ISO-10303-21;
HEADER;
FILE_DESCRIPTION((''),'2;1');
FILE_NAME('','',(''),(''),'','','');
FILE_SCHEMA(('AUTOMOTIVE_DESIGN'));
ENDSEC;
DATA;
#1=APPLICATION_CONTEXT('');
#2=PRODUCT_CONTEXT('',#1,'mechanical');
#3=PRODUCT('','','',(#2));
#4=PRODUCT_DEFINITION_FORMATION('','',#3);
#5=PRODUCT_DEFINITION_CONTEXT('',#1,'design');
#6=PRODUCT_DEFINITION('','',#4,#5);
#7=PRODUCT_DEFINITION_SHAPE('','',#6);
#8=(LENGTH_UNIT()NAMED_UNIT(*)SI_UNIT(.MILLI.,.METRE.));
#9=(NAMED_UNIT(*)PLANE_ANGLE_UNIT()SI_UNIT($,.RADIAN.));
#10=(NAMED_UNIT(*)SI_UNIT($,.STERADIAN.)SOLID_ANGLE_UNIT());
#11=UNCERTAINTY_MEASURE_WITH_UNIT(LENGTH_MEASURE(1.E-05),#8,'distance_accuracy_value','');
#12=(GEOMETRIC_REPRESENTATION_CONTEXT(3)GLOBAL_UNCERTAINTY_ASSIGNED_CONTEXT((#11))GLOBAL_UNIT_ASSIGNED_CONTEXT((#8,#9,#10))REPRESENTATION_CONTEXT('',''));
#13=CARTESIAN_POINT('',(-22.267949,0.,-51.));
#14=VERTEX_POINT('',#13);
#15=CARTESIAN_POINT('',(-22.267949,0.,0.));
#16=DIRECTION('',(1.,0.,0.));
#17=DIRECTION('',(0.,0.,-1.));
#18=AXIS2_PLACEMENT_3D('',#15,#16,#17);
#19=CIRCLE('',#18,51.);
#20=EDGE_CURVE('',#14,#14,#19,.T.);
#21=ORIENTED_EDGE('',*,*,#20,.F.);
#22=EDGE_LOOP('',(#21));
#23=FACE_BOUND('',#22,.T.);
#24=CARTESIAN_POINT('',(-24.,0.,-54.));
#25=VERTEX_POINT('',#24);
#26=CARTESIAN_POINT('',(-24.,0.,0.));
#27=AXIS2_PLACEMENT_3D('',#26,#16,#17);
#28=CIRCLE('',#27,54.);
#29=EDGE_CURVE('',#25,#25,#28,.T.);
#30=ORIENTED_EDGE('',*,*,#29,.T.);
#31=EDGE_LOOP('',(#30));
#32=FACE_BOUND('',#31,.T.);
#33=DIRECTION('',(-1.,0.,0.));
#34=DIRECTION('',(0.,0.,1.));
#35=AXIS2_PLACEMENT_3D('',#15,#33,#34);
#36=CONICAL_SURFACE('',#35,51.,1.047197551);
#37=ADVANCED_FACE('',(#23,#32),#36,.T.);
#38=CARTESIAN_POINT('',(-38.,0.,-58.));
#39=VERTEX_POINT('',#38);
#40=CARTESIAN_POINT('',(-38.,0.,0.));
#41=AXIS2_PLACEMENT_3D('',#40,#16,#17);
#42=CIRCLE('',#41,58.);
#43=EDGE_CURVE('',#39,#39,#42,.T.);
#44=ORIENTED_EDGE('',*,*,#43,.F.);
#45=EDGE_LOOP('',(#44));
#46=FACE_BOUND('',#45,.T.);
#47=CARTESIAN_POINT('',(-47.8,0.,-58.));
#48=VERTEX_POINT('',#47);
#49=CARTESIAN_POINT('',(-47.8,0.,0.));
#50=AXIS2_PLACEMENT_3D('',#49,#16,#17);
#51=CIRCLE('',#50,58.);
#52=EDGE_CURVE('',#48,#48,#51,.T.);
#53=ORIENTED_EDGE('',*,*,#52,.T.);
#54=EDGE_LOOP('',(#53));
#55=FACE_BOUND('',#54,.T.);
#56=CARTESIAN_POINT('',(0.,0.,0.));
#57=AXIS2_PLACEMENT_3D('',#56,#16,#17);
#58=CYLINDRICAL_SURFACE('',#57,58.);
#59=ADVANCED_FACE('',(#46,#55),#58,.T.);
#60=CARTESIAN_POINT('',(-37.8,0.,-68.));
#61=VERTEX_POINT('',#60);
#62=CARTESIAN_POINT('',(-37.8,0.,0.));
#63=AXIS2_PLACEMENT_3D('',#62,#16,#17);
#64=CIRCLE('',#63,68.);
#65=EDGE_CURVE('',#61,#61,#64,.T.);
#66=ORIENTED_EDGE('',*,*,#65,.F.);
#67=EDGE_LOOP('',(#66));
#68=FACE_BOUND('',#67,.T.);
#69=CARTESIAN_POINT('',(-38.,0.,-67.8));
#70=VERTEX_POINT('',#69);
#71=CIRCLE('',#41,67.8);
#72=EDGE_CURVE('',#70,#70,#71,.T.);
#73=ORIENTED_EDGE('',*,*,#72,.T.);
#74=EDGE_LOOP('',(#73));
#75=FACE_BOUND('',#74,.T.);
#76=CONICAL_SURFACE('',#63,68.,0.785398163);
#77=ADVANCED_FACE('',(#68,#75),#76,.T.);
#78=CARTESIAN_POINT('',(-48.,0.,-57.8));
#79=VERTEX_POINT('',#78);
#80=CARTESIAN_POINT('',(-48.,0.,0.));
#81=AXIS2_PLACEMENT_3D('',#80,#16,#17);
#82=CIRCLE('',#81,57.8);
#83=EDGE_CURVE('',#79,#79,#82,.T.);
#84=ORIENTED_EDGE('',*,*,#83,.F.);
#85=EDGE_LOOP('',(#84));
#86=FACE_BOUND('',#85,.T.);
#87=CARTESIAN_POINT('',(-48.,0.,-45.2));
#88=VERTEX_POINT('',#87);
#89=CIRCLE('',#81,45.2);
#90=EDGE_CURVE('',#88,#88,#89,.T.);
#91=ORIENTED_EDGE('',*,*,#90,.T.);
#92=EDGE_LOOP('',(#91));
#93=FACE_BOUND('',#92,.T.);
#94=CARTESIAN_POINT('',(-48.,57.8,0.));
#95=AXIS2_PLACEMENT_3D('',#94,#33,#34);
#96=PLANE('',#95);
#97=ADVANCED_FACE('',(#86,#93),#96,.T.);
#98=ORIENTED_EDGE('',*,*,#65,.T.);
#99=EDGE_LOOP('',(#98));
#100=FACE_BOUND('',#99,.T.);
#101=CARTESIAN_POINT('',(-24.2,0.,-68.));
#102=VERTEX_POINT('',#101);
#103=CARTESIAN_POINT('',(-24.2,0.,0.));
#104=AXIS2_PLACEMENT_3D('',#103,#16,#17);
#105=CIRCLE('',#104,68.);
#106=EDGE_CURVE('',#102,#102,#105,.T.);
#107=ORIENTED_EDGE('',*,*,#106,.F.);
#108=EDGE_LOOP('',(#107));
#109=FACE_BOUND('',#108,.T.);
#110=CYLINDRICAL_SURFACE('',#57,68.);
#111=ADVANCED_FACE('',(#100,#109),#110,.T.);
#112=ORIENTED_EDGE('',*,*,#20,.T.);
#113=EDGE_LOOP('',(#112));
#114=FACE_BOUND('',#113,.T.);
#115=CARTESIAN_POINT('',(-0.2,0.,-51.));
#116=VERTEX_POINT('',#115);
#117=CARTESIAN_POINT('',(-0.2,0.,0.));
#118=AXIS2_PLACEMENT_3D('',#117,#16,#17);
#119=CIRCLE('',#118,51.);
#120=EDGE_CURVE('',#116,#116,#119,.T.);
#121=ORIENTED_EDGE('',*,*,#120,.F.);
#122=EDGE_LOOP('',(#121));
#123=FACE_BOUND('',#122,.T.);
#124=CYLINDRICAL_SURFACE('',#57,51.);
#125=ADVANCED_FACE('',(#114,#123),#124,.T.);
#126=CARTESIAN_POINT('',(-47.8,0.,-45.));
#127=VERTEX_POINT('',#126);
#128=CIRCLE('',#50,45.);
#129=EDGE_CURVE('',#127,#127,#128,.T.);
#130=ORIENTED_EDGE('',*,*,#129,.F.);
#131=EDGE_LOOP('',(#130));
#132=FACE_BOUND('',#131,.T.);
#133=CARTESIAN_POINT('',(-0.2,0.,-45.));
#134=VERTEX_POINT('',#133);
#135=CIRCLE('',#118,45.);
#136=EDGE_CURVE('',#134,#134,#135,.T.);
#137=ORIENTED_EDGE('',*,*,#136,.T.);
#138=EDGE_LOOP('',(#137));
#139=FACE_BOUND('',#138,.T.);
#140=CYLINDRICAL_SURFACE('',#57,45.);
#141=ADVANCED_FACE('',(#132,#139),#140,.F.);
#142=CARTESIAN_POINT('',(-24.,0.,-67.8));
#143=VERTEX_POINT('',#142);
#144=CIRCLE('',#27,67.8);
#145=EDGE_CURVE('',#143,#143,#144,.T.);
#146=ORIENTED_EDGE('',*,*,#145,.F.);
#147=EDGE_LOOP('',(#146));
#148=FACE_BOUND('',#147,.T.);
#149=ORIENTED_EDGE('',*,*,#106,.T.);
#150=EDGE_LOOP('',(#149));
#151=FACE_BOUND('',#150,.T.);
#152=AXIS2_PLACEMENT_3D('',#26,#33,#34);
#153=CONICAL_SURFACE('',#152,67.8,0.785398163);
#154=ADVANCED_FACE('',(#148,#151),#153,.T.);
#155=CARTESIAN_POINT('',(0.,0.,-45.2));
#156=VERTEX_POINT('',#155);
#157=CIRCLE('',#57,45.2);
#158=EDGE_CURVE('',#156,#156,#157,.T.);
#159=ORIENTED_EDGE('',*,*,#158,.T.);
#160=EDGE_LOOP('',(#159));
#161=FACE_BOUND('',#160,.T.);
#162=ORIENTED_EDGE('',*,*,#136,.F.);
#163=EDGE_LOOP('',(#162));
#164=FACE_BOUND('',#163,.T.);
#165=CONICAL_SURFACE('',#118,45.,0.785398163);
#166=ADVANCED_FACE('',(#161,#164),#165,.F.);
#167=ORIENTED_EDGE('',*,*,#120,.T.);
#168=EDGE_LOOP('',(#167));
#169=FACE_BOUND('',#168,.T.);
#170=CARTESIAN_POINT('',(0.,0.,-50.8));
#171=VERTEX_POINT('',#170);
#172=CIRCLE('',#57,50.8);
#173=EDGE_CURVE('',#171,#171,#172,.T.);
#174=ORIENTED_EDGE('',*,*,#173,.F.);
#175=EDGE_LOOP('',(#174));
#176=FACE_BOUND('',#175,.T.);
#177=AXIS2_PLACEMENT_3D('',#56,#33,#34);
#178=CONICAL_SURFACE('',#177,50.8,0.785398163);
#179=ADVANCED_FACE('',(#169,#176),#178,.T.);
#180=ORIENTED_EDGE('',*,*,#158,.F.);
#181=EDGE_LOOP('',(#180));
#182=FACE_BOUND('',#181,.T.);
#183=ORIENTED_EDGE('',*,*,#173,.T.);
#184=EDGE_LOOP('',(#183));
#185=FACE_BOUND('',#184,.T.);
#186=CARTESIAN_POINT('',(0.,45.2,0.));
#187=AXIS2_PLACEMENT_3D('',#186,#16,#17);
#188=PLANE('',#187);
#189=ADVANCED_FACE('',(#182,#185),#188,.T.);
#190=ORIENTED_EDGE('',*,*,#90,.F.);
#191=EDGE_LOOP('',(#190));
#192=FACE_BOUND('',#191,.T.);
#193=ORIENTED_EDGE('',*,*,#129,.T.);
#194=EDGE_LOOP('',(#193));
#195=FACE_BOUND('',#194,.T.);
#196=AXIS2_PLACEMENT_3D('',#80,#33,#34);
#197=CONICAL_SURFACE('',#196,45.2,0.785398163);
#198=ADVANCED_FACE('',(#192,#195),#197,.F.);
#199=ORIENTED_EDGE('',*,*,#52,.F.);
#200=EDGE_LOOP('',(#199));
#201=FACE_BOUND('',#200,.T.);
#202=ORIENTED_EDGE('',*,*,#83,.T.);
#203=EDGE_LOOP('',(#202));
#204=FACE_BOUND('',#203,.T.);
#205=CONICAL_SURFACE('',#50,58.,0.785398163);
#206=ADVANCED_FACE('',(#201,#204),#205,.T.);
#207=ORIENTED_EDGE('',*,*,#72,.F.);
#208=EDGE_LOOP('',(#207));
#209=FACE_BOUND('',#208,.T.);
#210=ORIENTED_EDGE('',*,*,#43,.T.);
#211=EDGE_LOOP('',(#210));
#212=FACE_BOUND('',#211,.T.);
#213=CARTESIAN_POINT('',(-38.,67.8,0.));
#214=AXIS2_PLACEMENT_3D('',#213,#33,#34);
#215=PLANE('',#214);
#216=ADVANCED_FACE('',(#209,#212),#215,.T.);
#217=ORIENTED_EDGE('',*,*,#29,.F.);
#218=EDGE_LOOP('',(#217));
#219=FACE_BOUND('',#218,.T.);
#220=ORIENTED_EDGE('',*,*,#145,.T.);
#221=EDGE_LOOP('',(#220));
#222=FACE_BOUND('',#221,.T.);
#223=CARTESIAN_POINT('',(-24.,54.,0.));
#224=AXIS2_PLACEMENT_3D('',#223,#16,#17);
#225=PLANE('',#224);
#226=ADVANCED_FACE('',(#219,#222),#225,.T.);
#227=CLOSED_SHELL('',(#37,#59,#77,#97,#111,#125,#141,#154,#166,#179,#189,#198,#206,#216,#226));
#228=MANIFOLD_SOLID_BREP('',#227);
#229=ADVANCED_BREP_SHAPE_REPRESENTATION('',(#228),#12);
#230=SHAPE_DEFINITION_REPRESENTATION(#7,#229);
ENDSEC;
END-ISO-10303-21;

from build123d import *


with BuildPart() as part:
    # Esquisse1 → Révolution1 (revolve)
    with BuildSketch(Plane.XY, mode=Mode.PRIVATE) as r_volution1_sk:
        Polygon((0, 45.2), (0, 50.8), (-0.2, 51), (-22.267949192, 51), (-24, 54), (-24, 67.8), (-24.2, 68), (-37.8, 68), (-38, 67.8), (-38, 58), (-47.8, 58), (-48, 57.8), (-48, 45.2), (-47.8, 45), (-0.2, 45), align=None)
    revolve(r_volution1_sk.sketch.rotate(Axis((0, 0, 0), (-1, 0, 0)), 90), axis=Axis((0, 0, 0), (-1, 0, 0)))  # turned: the seam where the file's is


solid = part.part
